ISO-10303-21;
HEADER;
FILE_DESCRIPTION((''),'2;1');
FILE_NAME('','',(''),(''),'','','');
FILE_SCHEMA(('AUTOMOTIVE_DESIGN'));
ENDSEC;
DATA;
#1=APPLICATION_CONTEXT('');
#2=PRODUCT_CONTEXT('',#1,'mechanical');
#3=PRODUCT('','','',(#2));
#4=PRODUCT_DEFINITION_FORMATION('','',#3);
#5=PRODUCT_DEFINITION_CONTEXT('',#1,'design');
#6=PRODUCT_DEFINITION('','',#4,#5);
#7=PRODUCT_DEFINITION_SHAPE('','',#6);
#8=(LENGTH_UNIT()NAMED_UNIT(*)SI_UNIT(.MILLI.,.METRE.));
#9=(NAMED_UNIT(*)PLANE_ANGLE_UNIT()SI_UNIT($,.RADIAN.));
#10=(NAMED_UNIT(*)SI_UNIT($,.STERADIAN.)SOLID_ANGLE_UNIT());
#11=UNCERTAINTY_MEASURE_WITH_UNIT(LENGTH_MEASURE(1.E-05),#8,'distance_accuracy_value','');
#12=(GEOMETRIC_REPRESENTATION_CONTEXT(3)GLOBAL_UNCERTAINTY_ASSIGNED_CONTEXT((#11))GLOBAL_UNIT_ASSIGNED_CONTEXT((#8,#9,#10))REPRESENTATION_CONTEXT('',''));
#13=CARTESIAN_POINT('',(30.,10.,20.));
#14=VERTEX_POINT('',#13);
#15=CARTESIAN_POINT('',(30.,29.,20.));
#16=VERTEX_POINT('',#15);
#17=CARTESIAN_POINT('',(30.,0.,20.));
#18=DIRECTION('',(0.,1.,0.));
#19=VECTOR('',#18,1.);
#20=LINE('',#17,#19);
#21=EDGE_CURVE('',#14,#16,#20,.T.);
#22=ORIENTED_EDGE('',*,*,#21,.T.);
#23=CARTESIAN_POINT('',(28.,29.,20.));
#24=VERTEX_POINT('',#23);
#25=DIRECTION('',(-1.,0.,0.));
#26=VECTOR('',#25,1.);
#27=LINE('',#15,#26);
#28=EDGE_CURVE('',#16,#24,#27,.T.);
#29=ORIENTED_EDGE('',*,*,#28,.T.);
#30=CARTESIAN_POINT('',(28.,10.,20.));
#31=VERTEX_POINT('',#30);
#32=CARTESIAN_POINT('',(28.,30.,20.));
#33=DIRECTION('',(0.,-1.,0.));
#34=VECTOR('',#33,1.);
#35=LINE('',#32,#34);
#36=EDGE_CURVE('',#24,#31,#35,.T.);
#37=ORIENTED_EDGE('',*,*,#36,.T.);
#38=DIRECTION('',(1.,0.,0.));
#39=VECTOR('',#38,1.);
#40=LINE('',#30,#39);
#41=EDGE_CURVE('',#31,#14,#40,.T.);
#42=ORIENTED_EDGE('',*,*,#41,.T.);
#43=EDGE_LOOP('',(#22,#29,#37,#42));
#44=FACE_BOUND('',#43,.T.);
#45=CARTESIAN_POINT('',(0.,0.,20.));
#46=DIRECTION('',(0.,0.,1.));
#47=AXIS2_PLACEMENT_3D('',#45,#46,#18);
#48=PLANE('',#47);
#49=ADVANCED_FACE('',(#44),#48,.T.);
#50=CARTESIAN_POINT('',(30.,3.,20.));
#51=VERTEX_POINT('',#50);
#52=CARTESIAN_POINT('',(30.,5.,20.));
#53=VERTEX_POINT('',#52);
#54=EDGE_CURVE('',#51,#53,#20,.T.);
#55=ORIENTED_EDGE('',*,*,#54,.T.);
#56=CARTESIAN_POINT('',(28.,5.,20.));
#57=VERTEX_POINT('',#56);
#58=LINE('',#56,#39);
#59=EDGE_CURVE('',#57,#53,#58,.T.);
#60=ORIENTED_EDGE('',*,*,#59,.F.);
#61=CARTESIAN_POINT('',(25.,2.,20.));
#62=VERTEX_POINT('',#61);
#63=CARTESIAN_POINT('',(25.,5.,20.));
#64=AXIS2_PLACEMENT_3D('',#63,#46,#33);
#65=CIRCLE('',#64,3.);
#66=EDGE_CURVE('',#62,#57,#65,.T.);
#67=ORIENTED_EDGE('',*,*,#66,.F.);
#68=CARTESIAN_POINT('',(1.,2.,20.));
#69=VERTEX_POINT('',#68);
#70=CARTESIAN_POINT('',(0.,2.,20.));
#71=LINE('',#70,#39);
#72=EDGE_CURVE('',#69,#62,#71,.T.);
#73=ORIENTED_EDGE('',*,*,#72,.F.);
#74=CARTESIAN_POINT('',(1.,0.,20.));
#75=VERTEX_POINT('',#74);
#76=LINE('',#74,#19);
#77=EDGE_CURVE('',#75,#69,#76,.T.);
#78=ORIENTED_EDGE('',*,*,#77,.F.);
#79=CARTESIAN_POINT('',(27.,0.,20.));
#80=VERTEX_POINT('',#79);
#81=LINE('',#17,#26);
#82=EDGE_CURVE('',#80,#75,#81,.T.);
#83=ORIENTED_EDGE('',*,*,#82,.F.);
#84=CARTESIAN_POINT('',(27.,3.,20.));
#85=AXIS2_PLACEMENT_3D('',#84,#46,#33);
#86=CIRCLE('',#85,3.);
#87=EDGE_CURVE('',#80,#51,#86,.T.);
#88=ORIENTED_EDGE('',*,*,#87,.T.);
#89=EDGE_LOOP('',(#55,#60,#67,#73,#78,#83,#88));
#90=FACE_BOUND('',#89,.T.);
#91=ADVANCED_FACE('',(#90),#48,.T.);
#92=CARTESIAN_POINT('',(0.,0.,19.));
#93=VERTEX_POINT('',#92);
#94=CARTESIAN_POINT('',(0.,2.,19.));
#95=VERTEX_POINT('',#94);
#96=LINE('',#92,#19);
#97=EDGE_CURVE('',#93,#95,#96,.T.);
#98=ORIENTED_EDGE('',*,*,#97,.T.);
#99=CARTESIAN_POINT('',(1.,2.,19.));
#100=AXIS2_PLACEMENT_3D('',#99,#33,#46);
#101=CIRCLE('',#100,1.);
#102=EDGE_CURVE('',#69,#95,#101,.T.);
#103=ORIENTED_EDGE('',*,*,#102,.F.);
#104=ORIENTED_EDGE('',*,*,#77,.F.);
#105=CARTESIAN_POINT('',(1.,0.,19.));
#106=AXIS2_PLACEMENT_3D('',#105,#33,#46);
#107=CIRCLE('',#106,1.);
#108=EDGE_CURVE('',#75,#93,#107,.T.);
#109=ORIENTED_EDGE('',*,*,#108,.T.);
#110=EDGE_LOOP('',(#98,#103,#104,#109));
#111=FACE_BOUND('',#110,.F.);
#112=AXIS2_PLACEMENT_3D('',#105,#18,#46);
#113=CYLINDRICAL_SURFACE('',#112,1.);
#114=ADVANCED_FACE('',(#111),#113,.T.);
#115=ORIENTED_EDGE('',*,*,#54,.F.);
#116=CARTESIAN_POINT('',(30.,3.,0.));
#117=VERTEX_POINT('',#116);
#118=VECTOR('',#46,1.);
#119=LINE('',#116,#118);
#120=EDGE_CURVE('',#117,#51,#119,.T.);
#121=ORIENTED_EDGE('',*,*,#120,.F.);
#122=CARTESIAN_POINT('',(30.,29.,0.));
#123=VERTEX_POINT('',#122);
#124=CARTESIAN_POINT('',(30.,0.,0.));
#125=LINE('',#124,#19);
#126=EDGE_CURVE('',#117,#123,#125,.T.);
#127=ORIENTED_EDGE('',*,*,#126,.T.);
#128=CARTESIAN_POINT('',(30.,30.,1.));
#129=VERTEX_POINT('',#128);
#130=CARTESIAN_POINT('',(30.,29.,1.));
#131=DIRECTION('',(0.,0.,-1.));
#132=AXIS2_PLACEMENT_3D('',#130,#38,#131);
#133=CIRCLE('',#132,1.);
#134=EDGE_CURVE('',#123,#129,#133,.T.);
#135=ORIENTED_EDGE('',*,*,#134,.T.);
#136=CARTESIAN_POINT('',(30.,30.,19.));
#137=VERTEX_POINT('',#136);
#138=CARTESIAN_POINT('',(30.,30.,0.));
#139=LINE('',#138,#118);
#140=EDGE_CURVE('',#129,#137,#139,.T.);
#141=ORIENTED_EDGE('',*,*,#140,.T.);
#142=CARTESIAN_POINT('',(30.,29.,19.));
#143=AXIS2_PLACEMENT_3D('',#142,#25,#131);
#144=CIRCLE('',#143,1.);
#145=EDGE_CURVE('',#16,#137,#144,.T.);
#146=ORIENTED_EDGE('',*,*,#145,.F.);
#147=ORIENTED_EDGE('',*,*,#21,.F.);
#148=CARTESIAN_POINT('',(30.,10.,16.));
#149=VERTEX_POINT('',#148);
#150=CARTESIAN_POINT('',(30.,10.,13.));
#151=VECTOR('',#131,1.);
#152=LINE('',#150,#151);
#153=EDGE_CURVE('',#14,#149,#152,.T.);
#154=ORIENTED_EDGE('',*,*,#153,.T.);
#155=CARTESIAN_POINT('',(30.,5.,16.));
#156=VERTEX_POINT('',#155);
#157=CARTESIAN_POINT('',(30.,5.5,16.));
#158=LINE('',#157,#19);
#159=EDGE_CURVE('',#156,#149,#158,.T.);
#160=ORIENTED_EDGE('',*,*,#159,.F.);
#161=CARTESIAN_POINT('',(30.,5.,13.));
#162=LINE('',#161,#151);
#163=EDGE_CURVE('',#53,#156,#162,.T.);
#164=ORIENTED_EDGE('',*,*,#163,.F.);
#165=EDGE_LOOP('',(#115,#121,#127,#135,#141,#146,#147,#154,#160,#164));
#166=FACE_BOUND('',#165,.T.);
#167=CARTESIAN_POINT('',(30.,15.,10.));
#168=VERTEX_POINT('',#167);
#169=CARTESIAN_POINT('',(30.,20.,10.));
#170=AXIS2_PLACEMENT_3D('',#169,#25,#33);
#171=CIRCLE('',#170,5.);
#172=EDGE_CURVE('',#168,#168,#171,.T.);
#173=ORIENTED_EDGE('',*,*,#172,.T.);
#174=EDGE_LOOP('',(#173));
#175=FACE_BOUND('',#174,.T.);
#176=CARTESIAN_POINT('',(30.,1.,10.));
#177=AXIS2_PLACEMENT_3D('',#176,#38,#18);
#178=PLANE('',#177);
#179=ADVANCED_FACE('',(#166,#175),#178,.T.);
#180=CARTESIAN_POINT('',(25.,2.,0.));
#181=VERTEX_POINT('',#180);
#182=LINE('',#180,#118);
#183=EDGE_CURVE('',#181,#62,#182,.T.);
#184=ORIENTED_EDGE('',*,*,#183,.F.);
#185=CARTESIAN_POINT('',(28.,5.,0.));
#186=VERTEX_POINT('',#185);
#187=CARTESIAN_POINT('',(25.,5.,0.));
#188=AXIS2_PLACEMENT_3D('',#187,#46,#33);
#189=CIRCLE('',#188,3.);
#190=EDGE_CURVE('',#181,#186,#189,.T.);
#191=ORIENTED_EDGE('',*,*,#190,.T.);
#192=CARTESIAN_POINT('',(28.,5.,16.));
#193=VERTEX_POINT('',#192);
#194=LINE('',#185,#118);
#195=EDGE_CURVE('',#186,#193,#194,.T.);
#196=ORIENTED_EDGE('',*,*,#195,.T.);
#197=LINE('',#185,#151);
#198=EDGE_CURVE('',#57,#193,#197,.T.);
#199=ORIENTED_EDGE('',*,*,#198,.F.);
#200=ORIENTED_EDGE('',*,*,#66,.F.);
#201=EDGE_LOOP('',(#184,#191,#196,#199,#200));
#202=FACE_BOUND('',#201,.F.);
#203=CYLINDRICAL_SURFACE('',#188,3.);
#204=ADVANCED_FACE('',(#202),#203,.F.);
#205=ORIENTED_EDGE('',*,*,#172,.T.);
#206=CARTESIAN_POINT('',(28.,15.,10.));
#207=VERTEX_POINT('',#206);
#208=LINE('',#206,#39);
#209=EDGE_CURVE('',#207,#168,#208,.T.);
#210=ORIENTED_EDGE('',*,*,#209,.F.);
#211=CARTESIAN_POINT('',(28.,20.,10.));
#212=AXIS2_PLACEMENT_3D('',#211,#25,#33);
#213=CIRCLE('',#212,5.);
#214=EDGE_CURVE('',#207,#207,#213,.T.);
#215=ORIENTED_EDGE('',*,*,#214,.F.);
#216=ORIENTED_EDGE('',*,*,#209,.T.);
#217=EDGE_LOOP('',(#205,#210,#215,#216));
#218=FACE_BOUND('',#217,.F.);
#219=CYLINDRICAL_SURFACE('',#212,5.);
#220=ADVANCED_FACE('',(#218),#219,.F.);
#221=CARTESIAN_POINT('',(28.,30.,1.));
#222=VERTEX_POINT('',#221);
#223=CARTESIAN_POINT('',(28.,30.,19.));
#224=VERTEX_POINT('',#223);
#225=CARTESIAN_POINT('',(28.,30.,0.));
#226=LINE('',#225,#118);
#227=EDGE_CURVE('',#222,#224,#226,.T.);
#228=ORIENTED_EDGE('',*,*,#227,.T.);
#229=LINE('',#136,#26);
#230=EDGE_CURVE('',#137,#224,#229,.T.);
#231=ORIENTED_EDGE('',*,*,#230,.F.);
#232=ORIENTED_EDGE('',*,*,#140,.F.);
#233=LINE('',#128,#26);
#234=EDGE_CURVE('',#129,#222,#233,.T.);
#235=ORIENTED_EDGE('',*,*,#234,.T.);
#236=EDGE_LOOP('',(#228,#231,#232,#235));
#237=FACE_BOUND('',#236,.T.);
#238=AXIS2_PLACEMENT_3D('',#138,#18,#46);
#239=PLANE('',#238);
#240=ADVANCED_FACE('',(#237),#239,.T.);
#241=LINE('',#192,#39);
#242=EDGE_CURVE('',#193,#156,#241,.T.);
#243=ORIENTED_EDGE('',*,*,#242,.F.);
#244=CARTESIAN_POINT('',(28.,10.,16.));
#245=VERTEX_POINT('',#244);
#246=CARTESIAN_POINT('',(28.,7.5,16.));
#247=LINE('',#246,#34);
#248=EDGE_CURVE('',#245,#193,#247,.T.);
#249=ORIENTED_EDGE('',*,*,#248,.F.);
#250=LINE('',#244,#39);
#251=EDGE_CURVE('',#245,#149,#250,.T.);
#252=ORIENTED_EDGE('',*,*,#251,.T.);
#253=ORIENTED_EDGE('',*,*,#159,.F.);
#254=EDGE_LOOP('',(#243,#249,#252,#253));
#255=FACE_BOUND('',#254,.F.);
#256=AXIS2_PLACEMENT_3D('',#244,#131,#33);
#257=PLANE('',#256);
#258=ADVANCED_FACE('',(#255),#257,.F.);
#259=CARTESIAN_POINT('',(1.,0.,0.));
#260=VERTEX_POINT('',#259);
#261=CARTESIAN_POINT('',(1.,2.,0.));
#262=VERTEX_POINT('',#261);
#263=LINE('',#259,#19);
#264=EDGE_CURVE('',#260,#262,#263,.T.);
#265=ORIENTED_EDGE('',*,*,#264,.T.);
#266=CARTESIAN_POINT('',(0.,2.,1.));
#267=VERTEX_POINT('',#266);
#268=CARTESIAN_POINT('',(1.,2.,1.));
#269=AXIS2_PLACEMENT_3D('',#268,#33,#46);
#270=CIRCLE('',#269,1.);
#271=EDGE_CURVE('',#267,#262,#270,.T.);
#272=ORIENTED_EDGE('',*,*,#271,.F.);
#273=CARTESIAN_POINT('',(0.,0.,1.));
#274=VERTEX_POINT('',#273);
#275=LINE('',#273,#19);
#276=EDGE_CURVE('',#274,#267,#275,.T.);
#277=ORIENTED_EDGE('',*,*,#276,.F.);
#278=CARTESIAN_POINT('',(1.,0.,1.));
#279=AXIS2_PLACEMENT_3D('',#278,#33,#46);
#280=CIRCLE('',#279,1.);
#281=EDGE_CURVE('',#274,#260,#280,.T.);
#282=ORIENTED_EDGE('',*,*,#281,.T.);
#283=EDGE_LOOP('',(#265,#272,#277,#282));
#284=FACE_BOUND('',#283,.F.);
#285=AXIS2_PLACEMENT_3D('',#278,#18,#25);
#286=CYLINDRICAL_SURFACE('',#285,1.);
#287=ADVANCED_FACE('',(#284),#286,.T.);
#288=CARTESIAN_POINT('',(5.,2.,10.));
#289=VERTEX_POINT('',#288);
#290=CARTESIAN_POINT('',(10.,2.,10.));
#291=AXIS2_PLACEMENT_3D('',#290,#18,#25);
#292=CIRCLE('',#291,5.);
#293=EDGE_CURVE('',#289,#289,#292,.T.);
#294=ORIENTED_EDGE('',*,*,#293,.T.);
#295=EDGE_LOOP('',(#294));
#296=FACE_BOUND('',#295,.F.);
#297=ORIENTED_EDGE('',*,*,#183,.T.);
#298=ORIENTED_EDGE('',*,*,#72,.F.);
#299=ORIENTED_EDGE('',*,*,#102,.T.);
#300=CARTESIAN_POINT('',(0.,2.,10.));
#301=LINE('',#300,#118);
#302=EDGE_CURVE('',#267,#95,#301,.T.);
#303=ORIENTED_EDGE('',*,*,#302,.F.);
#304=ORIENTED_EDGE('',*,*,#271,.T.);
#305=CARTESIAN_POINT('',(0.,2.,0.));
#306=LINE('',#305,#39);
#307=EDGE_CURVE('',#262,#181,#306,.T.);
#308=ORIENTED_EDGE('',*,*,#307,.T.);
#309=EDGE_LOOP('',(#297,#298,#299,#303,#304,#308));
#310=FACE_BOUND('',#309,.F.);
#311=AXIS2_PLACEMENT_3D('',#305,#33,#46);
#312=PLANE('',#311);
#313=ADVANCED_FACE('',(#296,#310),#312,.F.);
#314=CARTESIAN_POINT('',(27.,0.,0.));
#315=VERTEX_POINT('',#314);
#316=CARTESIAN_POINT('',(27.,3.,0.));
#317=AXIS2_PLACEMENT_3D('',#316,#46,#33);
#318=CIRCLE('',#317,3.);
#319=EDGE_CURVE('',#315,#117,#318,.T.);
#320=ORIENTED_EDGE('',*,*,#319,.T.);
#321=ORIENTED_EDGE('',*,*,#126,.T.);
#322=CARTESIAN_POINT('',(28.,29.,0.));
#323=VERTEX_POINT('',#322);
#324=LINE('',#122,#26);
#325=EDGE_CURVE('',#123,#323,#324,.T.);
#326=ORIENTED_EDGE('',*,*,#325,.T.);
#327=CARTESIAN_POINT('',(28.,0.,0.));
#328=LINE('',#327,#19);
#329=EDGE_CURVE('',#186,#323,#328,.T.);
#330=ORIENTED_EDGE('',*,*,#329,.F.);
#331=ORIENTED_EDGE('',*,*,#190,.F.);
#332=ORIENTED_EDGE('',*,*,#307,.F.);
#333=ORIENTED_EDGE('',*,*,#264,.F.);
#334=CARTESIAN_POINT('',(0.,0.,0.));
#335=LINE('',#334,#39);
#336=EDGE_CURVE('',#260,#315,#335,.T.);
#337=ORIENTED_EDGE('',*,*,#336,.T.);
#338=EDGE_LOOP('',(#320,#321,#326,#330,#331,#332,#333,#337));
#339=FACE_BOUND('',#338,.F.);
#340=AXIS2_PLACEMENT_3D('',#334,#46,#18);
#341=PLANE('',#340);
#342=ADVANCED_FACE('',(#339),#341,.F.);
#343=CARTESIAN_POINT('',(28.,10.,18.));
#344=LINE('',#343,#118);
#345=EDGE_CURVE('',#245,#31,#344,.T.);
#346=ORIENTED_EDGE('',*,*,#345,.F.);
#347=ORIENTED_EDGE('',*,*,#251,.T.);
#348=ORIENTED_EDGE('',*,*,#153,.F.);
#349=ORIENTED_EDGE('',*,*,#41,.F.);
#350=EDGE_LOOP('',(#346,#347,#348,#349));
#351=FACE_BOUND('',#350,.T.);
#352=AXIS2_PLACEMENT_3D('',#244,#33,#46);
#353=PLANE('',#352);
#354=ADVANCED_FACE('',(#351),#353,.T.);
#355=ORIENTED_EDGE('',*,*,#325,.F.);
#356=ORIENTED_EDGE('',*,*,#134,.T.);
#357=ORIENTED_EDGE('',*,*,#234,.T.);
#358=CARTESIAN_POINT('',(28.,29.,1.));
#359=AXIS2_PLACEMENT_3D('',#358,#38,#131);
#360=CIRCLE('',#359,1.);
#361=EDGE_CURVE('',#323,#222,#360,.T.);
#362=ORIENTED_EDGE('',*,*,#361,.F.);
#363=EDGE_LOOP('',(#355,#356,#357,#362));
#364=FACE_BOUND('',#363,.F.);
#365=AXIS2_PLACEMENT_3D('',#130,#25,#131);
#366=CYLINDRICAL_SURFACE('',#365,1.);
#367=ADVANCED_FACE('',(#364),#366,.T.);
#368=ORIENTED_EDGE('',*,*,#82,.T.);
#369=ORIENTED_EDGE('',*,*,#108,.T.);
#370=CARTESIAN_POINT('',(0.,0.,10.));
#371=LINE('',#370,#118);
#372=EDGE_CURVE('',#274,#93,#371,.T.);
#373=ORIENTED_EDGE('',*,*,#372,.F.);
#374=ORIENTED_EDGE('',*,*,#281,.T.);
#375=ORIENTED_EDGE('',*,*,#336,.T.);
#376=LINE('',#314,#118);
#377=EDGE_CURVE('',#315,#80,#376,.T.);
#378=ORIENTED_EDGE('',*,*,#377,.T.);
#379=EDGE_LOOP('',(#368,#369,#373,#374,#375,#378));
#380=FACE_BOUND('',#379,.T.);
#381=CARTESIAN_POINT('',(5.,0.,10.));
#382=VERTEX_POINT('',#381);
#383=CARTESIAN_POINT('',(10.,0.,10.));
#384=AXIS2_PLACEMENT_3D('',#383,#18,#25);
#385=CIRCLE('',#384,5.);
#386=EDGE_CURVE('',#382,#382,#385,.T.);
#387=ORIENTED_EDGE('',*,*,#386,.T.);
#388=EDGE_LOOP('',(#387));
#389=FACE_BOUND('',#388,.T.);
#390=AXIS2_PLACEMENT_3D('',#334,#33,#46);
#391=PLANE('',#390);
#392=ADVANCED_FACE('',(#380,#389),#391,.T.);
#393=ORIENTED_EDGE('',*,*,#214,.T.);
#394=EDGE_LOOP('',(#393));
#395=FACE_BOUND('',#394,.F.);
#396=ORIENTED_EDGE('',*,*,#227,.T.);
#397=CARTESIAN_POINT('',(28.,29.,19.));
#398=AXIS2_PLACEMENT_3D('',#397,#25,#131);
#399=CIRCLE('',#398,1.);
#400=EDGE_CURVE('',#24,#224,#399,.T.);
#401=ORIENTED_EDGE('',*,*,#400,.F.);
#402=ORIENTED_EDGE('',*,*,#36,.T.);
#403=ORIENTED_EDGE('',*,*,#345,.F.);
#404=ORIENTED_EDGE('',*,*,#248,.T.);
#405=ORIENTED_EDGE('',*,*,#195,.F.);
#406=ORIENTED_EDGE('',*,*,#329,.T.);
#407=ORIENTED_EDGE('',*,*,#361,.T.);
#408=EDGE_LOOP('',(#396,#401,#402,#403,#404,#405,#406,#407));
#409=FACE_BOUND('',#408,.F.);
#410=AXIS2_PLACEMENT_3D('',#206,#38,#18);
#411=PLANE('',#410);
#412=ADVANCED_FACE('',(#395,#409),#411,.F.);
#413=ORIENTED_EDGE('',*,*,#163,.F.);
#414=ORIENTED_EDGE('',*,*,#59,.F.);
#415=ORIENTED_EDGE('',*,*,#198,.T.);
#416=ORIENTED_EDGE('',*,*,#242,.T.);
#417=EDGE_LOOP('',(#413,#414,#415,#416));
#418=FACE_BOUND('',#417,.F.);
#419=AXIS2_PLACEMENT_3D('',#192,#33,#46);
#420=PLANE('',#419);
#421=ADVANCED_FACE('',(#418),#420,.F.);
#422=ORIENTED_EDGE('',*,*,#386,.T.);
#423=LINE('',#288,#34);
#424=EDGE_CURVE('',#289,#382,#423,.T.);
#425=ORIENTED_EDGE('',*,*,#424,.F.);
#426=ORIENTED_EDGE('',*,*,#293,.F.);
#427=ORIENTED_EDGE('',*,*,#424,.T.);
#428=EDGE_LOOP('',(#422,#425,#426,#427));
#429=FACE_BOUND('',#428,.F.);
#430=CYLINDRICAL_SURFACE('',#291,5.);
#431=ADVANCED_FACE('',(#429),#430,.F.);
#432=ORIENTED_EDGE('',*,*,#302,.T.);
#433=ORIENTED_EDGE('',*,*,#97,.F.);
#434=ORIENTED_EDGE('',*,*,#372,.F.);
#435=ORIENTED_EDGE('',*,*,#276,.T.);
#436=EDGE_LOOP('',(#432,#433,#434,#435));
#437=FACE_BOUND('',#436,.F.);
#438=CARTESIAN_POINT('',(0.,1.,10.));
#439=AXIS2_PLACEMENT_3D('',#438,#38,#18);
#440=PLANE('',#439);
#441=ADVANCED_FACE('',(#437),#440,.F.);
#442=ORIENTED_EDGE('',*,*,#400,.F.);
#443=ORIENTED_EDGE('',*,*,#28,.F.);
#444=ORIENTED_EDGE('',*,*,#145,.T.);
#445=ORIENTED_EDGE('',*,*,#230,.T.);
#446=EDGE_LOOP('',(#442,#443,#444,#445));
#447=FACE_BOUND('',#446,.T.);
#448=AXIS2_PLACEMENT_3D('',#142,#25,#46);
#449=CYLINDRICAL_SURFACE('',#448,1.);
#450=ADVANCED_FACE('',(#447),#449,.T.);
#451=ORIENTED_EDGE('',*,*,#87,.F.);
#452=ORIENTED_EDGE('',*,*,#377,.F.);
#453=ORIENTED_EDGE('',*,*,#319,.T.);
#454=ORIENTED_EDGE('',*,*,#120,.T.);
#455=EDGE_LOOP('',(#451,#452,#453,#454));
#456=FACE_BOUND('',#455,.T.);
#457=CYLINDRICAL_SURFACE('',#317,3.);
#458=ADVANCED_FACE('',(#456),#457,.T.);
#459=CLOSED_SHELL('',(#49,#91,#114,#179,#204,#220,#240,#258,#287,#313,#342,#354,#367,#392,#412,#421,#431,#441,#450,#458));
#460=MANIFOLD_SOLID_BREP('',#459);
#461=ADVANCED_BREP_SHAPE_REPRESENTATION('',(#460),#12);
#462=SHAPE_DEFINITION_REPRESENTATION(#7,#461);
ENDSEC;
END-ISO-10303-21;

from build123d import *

# Parameters (mm, degrees)
F0_W     = 2
F0_H     = 20
F1_DEPTH = 30
F3_DEPTH = 2
F4_R     = 5
F5_DEPTH = 2.001
F6_R     = 5
F6_W     = 5
F6_H     = 4
F7_DEPTH = 2.001
F8_R     = 1
F9_R     = 3


with BuildPart() as f1:
    # F0 (on Right) → F1 (new body)
    with BuildSketch(Plane.YZ):
        with Locations((1, 10)):
            Rectangle(F0_W, F0_H)
    extrude(amount=F1_DEPTH)

    # F2 (on face) → F3 (join)
    with BuildSketch(Plane.YZ.offset(30)):
        Polygon((2, 20), (0, 20), (0, 0), (30, 0), (30, 20), align=None)
    extrude(amount=-F3_DEPTH)

    # F4 (on face) → F5 (cut, through all)
    with BuildSketch(Plane(origin=(0, 2, 0), x_dir=(-1, 0, 0), z_dir=(0, 1, 0))):
        with Locations((-10, 10)):
            Circle(F4_R)
    extrude(amount=-F5_DEPTH, mode=Mode.SUBTRACT)

    # F6 (on face) → F7 (cut, through all)
    with BuildSketch(Plane(origin=(28, 0, 0), x_dir=(0, -1, 0), z_dir=(-1, 0, 0))):
        with Locations((-20, 10)):
            Circle(F6_R)
        with Locations((-7.5, 18)):
            Rectangle(F6_W, F6_H)
    extrude(amount=-F7_DEPTH, mode=Mode.SUBTRACT)

    # F8
    f8_edges = [f1.edges().sort_by_distance(p)[0] for p in [
        (0, 1, 20),
        (29, 30, 20),
        (29, 30, 0),
        (0, 1, 0),
    ]]
    fillet(f8_edges, radius=F8_R)

    # F9
    f9_edges = [f1.edges().sort_by_distance(p)[0] for p in [
        (28, 2, 10),
        (30, 0, 10),
    ]]
    fillet(f9_edges, radius=F9_R)


solid = f1.part
